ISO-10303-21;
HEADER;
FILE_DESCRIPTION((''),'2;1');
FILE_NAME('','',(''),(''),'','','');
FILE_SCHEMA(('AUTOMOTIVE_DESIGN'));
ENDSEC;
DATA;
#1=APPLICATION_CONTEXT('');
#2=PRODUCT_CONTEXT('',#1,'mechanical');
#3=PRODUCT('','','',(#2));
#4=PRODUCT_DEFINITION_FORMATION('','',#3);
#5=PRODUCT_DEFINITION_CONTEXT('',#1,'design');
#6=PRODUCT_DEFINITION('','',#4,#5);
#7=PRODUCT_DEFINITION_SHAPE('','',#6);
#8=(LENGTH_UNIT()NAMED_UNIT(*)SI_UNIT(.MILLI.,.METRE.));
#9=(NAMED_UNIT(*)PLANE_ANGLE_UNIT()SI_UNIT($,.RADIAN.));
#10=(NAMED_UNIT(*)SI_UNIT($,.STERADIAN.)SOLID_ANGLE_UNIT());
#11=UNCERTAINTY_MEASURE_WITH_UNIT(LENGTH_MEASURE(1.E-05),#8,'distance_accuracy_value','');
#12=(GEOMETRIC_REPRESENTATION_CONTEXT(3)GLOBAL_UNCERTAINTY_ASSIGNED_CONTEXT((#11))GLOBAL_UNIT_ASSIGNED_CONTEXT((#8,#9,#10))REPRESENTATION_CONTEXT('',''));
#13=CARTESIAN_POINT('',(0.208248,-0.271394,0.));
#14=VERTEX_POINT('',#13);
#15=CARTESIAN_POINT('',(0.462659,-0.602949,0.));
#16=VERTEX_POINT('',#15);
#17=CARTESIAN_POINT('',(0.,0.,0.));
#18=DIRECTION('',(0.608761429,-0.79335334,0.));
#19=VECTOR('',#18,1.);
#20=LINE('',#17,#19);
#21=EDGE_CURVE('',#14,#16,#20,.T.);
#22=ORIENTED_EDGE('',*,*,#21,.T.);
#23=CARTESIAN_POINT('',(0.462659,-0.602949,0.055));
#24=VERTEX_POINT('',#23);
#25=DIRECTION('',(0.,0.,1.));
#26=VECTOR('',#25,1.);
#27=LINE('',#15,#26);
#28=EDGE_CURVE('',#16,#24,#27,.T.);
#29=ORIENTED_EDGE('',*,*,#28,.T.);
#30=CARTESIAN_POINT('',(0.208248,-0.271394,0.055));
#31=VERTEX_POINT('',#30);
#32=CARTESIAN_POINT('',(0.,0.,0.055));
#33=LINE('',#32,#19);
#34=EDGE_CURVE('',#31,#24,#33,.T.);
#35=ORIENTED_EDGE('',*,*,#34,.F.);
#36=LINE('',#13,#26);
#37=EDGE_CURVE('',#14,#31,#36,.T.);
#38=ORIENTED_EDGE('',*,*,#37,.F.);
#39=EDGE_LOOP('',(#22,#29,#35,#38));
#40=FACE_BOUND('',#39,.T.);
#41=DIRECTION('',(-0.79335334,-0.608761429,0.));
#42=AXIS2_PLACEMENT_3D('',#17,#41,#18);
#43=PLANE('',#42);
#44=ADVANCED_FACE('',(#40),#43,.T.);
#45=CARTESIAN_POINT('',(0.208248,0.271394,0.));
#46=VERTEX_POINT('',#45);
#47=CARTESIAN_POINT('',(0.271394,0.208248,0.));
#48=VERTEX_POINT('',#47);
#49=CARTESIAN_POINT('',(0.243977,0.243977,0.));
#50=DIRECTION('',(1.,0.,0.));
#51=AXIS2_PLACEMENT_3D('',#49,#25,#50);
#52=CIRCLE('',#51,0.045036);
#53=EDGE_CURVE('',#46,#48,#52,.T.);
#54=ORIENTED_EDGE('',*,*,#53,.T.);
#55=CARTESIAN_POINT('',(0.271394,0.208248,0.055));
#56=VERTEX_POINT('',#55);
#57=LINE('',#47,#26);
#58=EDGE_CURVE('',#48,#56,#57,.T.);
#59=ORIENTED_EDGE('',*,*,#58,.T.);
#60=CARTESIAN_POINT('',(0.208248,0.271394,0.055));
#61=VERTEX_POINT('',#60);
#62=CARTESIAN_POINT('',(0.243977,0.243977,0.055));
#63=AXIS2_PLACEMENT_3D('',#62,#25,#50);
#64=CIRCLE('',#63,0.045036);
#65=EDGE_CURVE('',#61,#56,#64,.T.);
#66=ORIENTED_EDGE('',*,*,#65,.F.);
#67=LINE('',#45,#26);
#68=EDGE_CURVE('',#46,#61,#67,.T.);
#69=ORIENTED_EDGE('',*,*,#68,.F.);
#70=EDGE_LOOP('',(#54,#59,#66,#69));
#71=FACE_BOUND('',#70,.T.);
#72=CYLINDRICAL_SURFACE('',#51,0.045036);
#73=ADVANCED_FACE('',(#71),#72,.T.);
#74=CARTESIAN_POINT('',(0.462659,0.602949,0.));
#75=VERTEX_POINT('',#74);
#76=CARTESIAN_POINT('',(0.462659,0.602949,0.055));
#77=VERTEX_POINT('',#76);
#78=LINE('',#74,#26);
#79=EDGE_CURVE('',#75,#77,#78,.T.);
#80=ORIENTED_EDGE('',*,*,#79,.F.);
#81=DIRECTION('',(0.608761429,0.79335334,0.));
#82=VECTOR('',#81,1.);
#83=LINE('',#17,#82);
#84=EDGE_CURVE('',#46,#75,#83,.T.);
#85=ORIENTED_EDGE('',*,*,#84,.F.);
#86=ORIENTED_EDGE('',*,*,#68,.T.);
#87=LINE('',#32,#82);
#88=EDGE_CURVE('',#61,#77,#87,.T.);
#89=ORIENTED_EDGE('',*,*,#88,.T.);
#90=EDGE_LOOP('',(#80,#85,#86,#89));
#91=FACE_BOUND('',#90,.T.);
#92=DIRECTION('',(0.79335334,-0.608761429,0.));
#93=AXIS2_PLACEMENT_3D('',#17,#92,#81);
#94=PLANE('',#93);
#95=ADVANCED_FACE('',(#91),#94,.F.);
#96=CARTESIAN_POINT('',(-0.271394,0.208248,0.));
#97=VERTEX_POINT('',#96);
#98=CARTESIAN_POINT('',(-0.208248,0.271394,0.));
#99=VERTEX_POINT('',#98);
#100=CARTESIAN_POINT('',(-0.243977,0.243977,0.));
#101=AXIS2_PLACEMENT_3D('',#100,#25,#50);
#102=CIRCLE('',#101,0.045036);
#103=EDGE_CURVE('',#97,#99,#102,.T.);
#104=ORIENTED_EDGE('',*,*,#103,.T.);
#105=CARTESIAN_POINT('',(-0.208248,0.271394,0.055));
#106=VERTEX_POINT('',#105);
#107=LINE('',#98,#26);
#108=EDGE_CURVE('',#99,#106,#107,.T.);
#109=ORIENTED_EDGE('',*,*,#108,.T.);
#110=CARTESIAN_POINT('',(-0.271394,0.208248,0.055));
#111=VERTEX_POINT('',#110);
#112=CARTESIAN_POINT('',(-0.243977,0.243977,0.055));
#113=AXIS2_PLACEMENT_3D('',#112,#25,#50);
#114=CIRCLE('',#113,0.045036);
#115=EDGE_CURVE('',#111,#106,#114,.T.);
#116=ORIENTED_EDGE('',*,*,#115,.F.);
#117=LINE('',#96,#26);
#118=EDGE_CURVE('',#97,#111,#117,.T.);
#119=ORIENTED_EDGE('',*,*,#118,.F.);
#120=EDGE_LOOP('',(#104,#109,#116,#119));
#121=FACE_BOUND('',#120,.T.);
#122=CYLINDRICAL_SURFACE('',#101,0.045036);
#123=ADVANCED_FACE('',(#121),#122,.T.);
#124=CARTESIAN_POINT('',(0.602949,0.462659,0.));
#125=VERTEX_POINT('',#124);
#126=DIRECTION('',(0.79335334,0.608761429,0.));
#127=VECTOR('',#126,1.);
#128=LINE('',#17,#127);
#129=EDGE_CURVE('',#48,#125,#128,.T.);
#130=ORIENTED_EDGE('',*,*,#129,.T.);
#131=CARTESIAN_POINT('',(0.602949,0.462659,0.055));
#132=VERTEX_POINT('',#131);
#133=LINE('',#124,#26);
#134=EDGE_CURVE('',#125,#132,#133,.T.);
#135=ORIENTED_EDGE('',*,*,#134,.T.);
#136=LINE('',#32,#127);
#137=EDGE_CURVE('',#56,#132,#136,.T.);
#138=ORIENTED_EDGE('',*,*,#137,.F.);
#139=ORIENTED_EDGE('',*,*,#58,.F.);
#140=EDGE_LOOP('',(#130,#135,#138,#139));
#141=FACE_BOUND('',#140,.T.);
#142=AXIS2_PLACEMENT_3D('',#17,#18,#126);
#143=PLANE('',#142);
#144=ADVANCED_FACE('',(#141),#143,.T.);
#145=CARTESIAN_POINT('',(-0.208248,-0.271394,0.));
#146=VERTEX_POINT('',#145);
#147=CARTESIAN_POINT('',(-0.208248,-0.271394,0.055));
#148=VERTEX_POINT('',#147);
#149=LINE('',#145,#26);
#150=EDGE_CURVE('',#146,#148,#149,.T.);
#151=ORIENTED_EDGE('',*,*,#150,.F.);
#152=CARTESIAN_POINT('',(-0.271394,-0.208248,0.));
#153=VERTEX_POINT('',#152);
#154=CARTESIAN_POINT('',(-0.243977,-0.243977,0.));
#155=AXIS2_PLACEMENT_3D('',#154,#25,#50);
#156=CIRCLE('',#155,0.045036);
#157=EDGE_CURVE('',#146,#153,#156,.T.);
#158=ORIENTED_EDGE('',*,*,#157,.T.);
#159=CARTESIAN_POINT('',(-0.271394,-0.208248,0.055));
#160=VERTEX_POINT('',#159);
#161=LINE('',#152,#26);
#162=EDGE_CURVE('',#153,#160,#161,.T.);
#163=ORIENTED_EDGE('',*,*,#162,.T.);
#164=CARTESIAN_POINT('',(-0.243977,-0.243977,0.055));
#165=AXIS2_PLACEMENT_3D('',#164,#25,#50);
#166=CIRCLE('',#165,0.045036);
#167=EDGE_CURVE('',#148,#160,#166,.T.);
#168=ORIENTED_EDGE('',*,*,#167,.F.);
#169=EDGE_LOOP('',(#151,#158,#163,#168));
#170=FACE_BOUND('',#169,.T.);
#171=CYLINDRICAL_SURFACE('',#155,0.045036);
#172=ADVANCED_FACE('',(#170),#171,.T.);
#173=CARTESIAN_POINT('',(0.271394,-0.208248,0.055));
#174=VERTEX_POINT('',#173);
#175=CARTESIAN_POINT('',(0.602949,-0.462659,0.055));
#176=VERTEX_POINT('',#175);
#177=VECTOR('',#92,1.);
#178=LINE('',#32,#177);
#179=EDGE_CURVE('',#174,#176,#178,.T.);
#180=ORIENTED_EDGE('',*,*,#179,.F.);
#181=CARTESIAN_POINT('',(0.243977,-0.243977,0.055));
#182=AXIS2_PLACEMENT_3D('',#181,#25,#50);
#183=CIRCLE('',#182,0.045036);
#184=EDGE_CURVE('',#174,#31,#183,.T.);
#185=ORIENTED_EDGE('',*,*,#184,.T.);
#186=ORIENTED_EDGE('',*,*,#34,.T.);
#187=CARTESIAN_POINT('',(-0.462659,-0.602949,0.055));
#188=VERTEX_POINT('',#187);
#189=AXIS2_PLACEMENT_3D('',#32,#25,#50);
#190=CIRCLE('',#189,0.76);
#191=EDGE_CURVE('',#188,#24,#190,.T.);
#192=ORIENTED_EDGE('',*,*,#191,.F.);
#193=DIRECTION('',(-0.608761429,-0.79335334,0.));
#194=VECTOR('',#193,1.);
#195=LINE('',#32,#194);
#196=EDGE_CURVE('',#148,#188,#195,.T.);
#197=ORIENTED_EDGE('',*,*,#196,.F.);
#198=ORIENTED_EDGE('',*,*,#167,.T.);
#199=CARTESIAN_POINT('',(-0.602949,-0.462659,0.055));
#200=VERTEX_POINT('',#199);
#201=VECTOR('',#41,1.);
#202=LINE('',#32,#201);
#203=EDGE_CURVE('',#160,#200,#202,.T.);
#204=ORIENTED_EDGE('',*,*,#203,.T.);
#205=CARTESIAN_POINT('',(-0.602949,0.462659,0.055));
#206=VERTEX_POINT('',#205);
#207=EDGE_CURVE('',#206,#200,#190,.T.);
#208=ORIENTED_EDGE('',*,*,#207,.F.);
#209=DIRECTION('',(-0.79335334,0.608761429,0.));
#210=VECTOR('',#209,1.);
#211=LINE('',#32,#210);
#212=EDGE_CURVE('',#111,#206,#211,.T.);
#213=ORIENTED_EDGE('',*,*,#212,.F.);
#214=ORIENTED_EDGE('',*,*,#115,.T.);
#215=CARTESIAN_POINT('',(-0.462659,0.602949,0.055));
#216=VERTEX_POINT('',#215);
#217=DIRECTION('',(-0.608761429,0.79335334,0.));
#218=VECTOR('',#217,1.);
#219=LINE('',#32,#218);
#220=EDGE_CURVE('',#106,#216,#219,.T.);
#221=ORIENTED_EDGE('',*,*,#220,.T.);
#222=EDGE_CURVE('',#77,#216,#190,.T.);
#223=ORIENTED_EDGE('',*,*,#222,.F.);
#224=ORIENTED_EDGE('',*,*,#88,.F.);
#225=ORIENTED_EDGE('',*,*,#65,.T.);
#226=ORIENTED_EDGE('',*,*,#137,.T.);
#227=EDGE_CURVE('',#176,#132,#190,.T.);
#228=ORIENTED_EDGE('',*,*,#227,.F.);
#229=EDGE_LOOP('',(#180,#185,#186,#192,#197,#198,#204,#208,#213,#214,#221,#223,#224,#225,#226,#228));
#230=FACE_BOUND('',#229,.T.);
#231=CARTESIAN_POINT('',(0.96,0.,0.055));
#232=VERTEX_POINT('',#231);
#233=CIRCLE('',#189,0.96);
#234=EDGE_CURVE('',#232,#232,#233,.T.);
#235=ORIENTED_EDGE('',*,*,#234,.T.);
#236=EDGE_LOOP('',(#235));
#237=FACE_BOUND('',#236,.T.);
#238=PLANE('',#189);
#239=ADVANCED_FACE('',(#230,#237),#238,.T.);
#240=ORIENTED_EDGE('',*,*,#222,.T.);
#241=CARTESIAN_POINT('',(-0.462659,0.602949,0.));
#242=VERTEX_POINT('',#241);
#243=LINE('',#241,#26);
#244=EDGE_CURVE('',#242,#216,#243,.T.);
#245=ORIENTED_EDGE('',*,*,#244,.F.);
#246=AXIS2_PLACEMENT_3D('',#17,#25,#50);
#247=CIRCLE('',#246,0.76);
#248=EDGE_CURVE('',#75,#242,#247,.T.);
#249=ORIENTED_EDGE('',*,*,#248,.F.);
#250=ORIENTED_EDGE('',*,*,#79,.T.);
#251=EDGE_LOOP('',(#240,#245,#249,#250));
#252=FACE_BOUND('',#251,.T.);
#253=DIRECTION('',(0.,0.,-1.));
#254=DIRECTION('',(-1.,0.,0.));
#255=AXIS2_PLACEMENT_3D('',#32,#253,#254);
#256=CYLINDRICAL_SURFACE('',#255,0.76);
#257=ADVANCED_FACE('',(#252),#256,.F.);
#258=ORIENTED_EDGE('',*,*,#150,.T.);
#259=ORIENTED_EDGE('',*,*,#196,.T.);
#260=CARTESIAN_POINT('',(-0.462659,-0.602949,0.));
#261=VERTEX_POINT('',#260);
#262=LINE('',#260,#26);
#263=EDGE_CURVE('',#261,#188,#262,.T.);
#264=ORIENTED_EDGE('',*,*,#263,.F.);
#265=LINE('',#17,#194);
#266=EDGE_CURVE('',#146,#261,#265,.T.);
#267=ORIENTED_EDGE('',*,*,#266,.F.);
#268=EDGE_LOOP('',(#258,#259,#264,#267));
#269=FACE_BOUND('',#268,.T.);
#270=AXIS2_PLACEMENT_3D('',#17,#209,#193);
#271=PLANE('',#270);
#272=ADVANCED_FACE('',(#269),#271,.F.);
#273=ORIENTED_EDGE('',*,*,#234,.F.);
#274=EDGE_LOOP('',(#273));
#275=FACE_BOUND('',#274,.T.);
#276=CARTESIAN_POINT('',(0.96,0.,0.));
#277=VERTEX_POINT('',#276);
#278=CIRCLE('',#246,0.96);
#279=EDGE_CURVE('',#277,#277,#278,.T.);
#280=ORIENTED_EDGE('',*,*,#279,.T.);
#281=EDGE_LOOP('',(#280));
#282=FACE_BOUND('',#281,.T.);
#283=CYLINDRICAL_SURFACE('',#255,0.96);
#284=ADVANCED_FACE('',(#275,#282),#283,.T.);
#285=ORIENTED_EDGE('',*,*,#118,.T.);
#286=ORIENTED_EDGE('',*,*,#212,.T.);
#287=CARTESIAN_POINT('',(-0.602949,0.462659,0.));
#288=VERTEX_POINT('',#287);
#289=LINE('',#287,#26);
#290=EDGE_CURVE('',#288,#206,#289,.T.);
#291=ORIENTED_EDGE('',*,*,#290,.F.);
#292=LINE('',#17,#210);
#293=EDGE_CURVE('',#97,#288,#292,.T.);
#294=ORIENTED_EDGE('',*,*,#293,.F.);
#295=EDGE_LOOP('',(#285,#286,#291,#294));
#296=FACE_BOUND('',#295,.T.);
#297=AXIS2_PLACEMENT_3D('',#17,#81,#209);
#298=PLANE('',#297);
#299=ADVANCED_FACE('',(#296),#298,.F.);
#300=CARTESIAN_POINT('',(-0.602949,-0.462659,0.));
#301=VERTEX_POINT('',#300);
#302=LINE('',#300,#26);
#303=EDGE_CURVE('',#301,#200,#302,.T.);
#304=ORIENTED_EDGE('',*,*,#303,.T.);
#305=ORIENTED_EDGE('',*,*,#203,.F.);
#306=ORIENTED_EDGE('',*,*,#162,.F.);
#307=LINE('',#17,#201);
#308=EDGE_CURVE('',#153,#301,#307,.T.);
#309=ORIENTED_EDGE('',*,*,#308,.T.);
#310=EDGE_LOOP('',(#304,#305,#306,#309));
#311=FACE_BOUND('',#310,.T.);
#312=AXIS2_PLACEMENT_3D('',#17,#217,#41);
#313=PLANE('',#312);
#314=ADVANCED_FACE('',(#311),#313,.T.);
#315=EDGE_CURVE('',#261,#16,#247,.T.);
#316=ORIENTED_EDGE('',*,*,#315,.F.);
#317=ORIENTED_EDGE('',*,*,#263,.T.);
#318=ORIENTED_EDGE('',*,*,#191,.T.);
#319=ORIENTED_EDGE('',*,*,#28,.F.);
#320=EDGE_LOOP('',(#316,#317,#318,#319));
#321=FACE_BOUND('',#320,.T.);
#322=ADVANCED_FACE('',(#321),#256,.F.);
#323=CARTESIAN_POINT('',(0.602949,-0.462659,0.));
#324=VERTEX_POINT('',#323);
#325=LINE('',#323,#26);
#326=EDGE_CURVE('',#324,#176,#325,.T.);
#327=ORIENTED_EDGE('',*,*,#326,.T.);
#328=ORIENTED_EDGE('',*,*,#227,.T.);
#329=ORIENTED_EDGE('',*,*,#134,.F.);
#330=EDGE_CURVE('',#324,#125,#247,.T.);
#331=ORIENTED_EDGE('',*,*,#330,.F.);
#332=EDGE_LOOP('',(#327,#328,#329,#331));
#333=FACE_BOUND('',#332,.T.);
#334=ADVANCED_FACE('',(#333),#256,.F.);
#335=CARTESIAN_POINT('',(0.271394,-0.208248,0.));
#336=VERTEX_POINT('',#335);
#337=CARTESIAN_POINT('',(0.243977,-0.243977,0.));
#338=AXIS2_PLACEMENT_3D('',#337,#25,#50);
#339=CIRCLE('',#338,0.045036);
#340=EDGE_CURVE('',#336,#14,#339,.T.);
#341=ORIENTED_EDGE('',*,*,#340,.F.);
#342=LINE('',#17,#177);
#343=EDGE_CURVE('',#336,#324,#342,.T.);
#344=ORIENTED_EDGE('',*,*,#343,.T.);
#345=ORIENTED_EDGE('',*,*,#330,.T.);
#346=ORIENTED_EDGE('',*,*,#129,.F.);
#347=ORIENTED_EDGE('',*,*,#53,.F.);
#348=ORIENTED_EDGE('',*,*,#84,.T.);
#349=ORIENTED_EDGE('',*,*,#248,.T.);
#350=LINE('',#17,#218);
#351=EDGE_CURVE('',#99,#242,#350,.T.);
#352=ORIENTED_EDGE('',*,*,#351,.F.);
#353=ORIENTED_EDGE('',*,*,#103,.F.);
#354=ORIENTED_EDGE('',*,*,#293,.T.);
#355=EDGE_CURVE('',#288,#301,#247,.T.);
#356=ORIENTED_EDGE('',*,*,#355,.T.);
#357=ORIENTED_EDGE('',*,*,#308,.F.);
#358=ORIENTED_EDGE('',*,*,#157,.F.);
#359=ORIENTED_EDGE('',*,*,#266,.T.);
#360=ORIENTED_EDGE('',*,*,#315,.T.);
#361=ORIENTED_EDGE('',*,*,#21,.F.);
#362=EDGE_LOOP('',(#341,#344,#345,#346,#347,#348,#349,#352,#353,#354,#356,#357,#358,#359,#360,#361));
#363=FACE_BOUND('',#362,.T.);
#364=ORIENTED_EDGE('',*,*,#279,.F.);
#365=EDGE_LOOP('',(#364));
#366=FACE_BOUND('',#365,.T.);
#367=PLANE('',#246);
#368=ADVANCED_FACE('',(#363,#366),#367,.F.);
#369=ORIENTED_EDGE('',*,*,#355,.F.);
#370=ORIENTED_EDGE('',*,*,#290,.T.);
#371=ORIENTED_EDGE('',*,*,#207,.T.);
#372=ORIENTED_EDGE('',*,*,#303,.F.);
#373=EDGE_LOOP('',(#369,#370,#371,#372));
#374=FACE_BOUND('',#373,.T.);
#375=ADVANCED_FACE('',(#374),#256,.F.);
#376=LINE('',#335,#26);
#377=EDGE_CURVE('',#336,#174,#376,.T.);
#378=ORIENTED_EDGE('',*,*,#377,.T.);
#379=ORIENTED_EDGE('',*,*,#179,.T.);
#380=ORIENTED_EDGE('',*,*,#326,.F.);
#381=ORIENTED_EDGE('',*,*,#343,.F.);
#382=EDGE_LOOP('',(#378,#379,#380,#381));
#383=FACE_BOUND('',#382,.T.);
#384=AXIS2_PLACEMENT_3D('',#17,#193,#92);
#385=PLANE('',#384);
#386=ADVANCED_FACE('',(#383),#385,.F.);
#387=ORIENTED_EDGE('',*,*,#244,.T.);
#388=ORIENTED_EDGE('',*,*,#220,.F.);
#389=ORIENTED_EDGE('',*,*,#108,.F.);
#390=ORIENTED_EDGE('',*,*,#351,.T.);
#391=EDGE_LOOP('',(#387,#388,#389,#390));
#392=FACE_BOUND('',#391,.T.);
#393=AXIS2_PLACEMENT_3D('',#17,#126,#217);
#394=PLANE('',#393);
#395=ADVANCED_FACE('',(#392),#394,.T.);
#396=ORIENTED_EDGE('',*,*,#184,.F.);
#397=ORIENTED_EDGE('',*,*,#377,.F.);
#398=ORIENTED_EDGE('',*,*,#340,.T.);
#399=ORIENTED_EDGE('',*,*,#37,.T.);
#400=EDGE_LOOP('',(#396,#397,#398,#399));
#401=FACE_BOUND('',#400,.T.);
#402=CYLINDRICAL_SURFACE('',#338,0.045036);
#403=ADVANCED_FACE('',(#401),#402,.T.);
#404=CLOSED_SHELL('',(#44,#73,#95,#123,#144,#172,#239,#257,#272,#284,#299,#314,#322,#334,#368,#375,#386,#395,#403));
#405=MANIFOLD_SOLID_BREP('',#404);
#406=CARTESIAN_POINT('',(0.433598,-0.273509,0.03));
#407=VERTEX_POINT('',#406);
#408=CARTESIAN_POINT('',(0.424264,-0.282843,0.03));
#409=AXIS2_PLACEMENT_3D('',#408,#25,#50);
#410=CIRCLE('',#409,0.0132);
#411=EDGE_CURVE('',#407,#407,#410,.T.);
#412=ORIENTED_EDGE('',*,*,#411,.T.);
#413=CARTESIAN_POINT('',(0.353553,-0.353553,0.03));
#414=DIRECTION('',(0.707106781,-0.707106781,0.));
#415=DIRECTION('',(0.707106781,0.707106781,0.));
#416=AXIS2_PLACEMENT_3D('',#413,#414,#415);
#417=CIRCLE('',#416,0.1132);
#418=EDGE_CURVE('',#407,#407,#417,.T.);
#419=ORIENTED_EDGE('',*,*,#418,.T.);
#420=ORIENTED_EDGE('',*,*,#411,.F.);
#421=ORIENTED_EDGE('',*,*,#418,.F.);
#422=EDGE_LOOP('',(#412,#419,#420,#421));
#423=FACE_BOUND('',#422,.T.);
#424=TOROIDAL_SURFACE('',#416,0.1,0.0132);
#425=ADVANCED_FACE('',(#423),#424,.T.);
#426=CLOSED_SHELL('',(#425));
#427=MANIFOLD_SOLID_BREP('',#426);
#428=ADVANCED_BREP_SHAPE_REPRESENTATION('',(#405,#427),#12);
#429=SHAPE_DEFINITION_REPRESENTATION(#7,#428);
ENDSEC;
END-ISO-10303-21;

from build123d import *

# Parameters (mm, degrees)
SKETCH_1_R      = 0.96
SKETCH_1_R_2    = 0.76
EXTRUDE_1_DEPTH = 0.055
EXTRUDE_START   = -0.055
EXTRUDE_2_DEPTH = 0.055
SKETCH_73_R     = 0.0132


with BuildPart() as part:
    # 草圖1 → 填料-伸長1 (new body)
    with BuildSketch(Plane.XY):
        Circle(SKETCH_1_R)
        Circle(SKETCH_1_R_2, mode=Mode.SUBTRACT)
    extrude(amount=EXTRUDE_1_DEPTH)

    # 草圖2 → 填料-伸長2 (add)
    with BuildSketch(Plane.XY.offset(0.055).offset(EXTRUDE_START)):
        with BuildLine():
            Line((-0.208247811, 0.271393831), (-0.462658686, 0.602948539))
            ThreePointArc((-0.462658686, 0.602948539), (-0.537401154, 0.537401154), (-0.602948539, 0.462658686))
            Line((-0.602948539, 0.462658686), (-0.271393831, 0.208247811))
            ThreePointArc((-0.271393831, 0.208247811), (-0.241031974, 0.199037642), (-0.212132034, 0.212132034))
            ThreePointArc((-0.212132034, 0.212132034), (-0.199037642, 0.241031974), (-0.208247811, 0.271393831))
        make_face()
        with BuildLine():
            ThreePointArc((0.208247811, 0.271393831), (0.199037642, 0.241031974), (0.212132034, 0.212132034))
            ThreePointArc((0.212132034, 0.212132034), (0.241031974, 0.199037642), (0.271393831, 0.208247811))
            Line((0.271393831, 0.208247811), (0.602948539, 0.462658686))
            ThreePointArc((0.602948539, 0.462658686), (0.537401154, 0.537401154), (0.462658686, 0.602948539))
            Line((0.462658686, 0.602948539), (0.208247811, 0.271393831))
        make_face()
        with BuildLine():
            ThreePointArc((0.271393831, -0.208247811), (0.241031974, -0.199037642), (0.212132034, -0.212132034))
            ThreePointArc((0.212132034, -0.212132034), (0.199037642, -0.241031974), (0.208247811, -0.271393831))
            Line((0.208247811, -0.271393831), (0.462658686, -0.602948539))
            ThreePointArc((0.462658686, -0.602948539), (0.537401154, -0.537401154), (0.602948539, -0.462658686))
            Line((0.602948539, -0.462658686), (0.271393831, -0.208247811))
        make_face()
        with BuildLine():
            ThreePointArc((-0.208247811, -0.271393831), (-0.199037642, -0.241031974), (-0.212132034, -0.212132034))
            ThreePointArc((-0.212132034, -0.212132034), (-0.241031974, -0.199037642), (-0.271393831, -0.208247811))
            Line((-0.271393831, -0.208247811), (-0.602948539, -0.462658686))
            ThreePointArc((-0.602948539, -0.462658686), (-0.537401154, -0.537401154), (-0.462658686, -0.602948539))
            Line((-0.462658686, -0.602948539), (-0.208247811, -0.271393831))
        make_face()
    extrude(amount=EXTRUDE_2_DEPTH)


with BuildPart() as body_2:
    # 掃出2: sweep along a path in 草圖72
    with BuildLine(Plane(origin=(0.353553391, -0.353553391, 0), x_dir=(0, 0, -1), z_dir=(0.7071067811865487, -0.7071067811865464, 0))) as sweep_2_path:
        CenterArc((-0.03, 0), 0.1, 0, 360)
    # 草圖73 → 掃出2 (sweep)
    with BuildSketch(Plane(origin=(0.424264069, -0.282842712, 0.03), x_dir=(1, 0, 0), z_dir=(0, 0, 1))):
        Circle(SKETCH_73_R)
    sweep(path=sweep_2_path.line)


solid = Compound([part.part, body_2.part])
